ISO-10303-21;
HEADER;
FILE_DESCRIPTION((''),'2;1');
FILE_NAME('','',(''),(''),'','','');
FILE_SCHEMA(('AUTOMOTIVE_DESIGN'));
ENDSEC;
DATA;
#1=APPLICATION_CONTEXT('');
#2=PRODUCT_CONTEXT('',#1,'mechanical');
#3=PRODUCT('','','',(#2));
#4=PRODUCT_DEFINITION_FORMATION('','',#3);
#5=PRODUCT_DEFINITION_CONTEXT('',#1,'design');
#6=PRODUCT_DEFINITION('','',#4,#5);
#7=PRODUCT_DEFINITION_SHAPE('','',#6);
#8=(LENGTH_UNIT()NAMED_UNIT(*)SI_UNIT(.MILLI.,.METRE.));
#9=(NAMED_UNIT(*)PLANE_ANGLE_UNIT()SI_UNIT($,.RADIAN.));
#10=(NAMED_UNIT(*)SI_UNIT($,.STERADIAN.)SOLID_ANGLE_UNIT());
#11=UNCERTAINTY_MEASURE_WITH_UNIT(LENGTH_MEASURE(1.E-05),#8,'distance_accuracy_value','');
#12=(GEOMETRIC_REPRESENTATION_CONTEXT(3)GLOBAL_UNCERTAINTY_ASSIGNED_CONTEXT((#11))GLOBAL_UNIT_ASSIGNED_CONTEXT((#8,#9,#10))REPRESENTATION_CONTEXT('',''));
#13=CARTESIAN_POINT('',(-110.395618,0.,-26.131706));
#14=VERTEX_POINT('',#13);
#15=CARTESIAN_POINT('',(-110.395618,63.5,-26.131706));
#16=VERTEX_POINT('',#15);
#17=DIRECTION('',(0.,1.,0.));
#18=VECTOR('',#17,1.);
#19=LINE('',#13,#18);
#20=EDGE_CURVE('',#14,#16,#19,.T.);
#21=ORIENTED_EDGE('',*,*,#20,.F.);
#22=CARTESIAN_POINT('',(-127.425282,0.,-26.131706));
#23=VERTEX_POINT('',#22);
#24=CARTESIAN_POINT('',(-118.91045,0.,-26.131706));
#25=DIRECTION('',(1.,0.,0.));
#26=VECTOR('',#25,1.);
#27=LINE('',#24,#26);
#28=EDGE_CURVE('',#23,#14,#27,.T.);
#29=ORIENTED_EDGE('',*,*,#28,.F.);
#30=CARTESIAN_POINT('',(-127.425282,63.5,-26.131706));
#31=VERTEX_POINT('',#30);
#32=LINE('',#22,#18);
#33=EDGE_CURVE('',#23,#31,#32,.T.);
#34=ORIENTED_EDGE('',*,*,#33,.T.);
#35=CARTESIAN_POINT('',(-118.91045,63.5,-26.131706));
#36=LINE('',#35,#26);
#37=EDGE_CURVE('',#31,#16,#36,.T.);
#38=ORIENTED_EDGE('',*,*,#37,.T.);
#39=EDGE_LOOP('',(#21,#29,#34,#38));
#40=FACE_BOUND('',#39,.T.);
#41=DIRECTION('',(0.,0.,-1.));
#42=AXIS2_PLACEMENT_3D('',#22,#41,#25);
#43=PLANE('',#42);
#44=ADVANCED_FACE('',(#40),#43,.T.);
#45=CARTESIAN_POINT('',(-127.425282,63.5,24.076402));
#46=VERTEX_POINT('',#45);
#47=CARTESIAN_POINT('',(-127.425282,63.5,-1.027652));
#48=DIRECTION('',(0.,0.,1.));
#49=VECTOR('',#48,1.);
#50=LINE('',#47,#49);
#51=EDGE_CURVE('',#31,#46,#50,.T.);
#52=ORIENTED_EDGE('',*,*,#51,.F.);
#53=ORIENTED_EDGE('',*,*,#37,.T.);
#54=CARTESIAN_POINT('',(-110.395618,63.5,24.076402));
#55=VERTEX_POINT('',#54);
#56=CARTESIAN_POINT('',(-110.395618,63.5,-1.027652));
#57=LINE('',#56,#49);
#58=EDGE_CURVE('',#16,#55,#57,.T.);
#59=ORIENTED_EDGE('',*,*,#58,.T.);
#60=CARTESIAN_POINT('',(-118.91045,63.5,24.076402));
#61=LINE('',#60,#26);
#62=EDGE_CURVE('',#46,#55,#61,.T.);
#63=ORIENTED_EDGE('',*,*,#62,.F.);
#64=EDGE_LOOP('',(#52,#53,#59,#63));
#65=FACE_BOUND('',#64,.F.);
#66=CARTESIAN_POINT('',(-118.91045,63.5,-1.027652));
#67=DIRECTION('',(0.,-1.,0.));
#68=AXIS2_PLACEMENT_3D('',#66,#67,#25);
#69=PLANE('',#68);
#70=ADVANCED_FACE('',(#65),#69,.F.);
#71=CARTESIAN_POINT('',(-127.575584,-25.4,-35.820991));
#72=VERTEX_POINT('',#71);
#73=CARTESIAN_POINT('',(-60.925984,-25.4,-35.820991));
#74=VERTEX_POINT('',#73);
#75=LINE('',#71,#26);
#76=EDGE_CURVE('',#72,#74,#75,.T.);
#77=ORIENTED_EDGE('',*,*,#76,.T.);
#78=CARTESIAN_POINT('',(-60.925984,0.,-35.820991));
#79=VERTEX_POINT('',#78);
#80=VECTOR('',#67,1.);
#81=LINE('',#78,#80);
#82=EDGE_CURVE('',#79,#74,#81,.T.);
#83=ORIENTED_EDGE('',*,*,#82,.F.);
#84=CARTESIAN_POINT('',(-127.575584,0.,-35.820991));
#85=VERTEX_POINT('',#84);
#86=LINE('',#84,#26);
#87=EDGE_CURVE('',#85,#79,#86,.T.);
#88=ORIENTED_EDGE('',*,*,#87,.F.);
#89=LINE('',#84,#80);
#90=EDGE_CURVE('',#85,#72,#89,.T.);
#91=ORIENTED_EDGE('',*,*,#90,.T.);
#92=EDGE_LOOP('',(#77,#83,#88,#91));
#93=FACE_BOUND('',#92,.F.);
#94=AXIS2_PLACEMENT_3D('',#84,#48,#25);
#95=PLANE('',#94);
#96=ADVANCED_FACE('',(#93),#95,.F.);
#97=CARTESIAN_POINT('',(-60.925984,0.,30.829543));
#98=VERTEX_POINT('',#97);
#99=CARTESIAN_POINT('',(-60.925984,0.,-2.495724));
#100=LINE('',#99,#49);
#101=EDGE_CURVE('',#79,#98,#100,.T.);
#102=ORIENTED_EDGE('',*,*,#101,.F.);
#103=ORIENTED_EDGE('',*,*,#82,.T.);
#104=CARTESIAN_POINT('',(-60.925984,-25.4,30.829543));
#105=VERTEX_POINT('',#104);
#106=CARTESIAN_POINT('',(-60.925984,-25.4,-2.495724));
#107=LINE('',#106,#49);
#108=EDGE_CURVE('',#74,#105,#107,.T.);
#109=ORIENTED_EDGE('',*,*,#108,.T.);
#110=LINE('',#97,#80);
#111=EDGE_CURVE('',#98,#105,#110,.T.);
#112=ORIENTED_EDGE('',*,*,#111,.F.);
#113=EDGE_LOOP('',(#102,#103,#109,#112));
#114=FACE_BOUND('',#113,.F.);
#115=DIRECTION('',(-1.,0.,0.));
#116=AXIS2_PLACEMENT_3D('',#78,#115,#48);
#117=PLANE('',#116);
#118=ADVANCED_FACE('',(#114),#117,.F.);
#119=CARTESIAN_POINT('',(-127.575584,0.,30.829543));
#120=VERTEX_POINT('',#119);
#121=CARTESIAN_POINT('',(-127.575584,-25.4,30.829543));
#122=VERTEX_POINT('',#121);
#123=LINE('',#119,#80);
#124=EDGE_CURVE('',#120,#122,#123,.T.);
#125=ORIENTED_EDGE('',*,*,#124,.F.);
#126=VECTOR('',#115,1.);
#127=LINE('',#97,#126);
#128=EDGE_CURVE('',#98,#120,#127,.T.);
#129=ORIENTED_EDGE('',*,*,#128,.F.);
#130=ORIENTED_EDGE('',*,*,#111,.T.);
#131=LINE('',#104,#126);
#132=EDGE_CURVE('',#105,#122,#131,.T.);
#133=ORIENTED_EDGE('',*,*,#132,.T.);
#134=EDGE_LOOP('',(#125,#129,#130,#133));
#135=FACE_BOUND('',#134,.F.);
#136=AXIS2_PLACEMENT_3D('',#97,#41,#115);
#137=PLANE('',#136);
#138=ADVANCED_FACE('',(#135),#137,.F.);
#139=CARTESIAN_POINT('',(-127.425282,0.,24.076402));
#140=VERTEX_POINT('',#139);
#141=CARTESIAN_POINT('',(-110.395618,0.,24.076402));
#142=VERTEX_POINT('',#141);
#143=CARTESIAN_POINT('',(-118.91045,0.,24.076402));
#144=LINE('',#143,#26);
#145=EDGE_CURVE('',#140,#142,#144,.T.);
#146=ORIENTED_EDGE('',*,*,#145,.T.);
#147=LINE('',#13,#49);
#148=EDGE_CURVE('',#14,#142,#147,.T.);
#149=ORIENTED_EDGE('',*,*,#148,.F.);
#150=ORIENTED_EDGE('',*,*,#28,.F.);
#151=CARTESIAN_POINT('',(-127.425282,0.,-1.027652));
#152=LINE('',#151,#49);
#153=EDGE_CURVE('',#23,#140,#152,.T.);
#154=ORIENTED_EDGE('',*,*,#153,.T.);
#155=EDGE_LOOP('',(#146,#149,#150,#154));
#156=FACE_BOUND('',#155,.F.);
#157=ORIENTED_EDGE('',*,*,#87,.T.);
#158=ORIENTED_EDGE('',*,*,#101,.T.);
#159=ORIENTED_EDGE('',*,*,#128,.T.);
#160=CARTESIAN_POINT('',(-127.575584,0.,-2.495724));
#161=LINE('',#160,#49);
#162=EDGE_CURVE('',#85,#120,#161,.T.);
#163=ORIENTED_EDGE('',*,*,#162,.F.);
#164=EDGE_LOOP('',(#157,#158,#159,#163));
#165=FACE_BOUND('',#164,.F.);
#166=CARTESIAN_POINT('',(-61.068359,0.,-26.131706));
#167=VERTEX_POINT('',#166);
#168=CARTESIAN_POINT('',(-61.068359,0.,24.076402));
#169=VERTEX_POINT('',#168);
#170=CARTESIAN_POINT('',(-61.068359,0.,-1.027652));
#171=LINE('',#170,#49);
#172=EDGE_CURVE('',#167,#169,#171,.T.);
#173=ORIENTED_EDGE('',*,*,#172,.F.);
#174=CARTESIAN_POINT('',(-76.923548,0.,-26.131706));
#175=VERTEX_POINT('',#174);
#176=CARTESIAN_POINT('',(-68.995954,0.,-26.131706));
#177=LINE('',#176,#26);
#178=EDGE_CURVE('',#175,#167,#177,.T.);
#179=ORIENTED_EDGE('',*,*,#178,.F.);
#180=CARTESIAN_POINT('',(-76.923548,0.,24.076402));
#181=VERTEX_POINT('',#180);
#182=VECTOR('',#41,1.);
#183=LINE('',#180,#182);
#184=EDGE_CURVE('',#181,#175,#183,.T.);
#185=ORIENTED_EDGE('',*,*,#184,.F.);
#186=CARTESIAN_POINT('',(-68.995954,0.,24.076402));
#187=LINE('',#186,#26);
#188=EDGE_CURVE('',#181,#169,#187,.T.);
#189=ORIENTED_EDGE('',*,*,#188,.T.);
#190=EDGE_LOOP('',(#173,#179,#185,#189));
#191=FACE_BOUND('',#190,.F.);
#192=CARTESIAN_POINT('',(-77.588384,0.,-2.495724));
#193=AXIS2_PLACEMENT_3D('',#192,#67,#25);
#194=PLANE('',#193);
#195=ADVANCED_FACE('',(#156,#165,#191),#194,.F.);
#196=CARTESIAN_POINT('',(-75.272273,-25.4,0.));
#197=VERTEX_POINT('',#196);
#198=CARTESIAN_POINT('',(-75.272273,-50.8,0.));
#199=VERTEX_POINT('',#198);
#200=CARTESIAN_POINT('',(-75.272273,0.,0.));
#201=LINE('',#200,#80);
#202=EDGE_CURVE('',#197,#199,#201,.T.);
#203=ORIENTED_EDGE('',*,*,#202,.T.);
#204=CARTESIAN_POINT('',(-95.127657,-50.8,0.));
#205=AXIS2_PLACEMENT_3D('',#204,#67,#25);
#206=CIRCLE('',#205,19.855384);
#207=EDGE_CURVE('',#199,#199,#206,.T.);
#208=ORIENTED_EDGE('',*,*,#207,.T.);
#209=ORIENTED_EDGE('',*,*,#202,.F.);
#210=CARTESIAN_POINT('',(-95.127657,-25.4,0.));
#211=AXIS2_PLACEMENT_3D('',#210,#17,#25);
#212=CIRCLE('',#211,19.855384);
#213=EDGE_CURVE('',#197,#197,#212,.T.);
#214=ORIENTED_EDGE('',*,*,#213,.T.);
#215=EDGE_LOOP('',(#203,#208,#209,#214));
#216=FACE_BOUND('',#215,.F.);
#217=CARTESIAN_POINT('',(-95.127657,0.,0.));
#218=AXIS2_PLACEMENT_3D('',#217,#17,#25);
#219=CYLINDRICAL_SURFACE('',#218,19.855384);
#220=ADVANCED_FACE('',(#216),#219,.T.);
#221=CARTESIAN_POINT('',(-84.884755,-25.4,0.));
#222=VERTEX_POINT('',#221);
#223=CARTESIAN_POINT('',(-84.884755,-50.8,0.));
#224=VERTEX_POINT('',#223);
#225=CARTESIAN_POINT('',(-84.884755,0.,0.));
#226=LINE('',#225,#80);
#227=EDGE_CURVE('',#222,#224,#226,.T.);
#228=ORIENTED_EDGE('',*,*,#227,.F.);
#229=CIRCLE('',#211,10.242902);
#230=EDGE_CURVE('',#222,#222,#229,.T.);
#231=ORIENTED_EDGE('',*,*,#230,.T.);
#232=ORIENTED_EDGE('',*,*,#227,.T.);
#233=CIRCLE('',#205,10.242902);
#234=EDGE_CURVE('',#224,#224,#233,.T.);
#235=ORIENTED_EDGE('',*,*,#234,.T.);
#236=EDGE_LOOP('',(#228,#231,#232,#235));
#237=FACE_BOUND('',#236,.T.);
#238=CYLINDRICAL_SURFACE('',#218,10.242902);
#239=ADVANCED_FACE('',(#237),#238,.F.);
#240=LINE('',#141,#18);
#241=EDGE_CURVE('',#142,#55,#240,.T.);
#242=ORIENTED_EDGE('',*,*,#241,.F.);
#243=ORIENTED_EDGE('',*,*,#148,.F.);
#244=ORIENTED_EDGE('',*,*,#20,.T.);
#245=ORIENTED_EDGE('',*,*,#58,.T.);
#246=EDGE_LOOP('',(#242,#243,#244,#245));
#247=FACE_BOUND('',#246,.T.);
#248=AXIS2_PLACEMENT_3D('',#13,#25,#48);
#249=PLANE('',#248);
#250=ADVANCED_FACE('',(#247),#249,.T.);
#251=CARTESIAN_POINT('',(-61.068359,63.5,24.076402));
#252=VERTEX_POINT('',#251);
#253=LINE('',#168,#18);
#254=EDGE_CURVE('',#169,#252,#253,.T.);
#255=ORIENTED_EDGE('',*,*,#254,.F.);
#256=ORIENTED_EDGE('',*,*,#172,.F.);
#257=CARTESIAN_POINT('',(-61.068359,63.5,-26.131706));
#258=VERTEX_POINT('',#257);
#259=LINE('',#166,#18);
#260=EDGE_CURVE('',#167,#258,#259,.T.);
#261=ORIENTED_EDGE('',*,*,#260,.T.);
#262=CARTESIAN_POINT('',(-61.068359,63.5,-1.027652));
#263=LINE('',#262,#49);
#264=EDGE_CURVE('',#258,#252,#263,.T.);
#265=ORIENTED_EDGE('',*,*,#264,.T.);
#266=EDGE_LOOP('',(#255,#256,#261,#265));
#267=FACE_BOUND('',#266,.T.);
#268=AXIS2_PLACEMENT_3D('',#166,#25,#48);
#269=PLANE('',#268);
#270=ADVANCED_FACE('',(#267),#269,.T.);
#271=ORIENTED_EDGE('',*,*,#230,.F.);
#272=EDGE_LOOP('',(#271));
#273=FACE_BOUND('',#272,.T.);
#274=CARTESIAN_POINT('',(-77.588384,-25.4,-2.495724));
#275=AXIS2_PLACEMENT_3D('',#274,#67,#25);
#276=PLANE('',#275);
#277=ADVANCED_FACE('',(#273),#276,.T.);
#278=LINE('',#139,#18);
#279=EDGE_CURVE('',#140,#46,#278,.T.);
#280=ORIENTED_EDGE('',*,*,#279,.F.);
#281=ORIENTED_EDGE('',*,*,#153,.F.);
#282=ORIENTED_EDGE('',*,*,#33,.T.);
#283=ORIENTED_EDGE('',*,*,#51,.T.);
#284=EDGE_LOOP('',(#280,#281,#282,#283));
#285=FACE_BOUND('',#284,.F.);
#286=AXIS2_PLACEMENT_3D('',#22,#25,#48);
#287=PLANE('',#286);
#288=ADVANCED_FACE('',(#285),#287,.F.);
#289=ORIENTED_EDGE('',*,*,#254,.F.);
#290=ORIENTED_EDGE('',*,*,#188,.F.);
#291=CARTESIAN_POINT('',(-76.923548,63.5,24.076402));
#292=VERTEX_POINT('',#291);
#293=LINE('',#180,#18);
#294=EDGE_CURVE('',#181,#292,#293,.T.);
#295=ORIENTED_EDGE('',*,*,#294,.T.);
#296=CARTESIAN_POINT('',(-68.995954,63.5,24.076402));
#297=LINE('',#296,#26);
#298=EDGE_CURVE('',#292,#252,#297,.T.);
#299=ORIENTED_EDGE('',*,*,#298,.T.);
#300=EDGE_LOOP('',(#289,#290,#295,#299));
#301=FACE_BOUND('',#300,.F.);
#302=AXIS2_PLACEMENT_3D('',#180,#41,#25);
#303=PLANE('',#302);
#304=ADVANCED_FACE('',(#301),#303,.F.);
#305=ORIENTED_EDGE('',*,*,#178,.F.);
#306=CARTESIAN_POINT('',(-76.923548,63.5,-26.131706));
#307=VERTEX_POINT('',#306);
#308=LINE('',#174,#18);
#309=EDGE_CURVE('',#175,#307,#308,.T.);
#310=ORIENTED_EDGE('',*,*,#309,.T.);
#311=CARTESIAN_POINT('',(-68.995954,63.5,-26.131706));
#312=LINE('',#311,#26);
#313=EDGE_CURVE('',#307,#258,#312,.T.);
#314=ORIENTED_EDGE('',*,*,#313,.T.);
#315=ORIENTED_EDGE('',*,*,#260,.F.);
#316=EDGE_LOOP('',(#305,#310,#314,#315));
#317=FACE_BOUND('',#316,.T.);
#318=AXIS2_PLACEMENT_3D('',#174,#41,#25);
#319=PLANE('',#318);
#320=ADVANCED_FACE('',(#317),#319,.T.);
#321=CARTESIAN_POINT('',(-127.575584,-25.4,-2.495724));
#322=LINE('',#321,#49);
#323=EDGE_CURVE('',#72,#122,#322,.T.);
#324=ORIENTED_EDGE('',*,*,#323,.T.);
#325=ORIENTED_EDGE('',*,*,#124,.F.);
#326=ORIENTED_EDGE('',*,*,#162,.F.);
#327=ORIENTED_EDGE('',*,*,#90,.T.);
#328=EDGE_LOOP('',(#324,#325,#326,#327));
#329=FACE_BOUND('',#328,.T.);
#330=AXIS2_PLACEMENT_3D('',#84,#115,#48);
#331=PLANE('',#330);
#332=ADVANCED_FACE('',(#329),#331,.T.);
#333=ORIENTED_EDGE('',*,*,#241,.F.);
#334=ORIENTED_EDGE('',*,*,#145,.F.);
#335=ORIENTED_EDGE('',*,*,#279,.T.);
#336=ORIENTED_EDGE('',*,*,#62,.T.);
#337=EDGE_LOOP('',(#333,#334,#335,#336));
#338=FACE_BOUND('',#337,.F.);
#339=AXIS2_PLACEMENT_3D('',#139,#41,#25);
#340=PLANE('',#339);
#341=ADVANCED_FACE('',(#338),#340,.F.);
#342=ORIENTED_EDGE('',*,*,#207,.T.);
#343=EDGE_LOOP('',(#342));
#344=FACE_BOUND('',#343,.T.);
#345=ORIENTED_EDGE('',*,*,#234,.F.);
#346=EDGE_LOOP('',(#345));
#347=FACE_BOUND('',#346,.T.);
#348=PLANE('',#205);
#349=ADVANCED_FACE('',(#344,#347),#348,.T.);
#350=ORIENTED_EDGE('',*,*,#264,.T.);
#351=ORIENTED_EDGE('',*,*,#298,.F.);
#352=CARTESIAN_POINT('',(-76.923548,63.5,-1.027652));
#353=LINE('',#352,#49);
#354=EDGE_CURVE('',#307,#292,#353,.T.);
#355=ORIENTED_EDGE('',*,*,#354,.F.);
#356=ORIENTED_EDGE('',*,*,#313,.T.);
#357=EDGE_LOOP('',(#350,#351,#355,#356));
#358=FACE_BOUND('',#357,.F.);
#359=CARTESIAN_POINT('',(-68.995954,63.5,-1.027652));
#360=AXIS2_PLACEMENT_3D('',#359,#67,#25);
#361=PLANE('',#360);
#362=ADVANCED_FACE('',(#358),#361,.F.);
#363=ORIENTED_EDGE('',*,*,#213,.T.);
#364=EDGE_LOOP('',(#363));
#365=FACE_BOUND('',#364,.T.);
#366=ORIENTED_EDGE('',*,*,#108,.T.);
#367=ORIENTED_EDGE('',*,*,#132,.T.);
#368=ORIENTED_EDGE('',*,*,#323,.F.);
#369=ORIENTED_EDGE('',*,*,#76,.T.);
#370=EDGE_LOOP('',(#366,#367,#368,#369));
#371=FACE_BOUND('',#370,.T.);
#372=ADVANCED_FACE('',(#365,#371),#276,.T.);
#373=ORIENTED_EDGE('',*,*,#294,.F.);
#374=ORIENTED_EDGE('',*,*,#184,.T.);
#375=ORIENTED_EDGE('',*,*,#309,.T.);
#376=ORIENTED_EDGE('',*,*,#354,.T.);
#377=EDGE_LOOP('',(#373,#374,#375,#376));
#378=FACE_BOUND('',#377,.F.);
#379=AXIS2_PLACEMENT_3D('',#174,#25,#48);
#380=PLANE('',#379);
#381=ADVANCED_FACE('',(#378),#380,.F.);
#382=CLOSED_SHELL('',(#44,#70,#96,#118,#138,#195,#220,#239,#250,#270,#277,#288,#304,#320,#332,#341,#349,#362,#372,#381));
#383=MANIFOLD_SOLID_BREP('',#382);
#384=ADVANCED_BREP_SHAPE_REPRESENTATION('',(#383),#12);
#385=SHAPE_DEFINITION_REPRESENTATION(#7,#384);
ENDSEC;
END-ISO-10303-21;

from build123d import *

# Parameters (mm, degrees)
F0_W     = 33.3248
F0_H     = 66.650534
F1_DEPTH = 25.4
F2_W     = 17.029665
F2_H     = 50.208108
F2_W_2   = 15.855189
F3_DEPTH = 63.5
F4_R     = 19.855384
F4_R_2   = 10.242902
F5_DEPTH = 50.8


with BuildPart() as f1:
    # F0 (on Front) → F1 (new body)
    with BuildSketch(Plane.XZ):
        with Locations((-77.588384, -2.495724)):
            Rectangle(F0_W, F0_H)
        with Locations((-110.913184, -2.495724)):
            Rectangle(F0_W, F0_H)
    extrude(amount=F1_DEPTH)

    # F2 (on Front) → F3 (join)
    with BuildSketch(Plane.XZ):
        with Locations((-118.91045, -1.027652)):
            Rectangle(F2_W, F2_H)
        with Locations((-68.995954, -1.027652)):
            Rectangle(F2_W_2, F2_H)
    extrude(amount=-F3_DEPTH)

    # F4 (on Front) → F5 (join)
    with BuildSketch(Plane.XZ):
        with Locations((-95.127657, 0)):
            Circle(F4_R)
        with Locations((-95.127657, 0)):
            Circle(F4_R_2, mode=Mode.SUBTRACT)
    extrude(amount=F5_DEPTH)


solid = f1.part
